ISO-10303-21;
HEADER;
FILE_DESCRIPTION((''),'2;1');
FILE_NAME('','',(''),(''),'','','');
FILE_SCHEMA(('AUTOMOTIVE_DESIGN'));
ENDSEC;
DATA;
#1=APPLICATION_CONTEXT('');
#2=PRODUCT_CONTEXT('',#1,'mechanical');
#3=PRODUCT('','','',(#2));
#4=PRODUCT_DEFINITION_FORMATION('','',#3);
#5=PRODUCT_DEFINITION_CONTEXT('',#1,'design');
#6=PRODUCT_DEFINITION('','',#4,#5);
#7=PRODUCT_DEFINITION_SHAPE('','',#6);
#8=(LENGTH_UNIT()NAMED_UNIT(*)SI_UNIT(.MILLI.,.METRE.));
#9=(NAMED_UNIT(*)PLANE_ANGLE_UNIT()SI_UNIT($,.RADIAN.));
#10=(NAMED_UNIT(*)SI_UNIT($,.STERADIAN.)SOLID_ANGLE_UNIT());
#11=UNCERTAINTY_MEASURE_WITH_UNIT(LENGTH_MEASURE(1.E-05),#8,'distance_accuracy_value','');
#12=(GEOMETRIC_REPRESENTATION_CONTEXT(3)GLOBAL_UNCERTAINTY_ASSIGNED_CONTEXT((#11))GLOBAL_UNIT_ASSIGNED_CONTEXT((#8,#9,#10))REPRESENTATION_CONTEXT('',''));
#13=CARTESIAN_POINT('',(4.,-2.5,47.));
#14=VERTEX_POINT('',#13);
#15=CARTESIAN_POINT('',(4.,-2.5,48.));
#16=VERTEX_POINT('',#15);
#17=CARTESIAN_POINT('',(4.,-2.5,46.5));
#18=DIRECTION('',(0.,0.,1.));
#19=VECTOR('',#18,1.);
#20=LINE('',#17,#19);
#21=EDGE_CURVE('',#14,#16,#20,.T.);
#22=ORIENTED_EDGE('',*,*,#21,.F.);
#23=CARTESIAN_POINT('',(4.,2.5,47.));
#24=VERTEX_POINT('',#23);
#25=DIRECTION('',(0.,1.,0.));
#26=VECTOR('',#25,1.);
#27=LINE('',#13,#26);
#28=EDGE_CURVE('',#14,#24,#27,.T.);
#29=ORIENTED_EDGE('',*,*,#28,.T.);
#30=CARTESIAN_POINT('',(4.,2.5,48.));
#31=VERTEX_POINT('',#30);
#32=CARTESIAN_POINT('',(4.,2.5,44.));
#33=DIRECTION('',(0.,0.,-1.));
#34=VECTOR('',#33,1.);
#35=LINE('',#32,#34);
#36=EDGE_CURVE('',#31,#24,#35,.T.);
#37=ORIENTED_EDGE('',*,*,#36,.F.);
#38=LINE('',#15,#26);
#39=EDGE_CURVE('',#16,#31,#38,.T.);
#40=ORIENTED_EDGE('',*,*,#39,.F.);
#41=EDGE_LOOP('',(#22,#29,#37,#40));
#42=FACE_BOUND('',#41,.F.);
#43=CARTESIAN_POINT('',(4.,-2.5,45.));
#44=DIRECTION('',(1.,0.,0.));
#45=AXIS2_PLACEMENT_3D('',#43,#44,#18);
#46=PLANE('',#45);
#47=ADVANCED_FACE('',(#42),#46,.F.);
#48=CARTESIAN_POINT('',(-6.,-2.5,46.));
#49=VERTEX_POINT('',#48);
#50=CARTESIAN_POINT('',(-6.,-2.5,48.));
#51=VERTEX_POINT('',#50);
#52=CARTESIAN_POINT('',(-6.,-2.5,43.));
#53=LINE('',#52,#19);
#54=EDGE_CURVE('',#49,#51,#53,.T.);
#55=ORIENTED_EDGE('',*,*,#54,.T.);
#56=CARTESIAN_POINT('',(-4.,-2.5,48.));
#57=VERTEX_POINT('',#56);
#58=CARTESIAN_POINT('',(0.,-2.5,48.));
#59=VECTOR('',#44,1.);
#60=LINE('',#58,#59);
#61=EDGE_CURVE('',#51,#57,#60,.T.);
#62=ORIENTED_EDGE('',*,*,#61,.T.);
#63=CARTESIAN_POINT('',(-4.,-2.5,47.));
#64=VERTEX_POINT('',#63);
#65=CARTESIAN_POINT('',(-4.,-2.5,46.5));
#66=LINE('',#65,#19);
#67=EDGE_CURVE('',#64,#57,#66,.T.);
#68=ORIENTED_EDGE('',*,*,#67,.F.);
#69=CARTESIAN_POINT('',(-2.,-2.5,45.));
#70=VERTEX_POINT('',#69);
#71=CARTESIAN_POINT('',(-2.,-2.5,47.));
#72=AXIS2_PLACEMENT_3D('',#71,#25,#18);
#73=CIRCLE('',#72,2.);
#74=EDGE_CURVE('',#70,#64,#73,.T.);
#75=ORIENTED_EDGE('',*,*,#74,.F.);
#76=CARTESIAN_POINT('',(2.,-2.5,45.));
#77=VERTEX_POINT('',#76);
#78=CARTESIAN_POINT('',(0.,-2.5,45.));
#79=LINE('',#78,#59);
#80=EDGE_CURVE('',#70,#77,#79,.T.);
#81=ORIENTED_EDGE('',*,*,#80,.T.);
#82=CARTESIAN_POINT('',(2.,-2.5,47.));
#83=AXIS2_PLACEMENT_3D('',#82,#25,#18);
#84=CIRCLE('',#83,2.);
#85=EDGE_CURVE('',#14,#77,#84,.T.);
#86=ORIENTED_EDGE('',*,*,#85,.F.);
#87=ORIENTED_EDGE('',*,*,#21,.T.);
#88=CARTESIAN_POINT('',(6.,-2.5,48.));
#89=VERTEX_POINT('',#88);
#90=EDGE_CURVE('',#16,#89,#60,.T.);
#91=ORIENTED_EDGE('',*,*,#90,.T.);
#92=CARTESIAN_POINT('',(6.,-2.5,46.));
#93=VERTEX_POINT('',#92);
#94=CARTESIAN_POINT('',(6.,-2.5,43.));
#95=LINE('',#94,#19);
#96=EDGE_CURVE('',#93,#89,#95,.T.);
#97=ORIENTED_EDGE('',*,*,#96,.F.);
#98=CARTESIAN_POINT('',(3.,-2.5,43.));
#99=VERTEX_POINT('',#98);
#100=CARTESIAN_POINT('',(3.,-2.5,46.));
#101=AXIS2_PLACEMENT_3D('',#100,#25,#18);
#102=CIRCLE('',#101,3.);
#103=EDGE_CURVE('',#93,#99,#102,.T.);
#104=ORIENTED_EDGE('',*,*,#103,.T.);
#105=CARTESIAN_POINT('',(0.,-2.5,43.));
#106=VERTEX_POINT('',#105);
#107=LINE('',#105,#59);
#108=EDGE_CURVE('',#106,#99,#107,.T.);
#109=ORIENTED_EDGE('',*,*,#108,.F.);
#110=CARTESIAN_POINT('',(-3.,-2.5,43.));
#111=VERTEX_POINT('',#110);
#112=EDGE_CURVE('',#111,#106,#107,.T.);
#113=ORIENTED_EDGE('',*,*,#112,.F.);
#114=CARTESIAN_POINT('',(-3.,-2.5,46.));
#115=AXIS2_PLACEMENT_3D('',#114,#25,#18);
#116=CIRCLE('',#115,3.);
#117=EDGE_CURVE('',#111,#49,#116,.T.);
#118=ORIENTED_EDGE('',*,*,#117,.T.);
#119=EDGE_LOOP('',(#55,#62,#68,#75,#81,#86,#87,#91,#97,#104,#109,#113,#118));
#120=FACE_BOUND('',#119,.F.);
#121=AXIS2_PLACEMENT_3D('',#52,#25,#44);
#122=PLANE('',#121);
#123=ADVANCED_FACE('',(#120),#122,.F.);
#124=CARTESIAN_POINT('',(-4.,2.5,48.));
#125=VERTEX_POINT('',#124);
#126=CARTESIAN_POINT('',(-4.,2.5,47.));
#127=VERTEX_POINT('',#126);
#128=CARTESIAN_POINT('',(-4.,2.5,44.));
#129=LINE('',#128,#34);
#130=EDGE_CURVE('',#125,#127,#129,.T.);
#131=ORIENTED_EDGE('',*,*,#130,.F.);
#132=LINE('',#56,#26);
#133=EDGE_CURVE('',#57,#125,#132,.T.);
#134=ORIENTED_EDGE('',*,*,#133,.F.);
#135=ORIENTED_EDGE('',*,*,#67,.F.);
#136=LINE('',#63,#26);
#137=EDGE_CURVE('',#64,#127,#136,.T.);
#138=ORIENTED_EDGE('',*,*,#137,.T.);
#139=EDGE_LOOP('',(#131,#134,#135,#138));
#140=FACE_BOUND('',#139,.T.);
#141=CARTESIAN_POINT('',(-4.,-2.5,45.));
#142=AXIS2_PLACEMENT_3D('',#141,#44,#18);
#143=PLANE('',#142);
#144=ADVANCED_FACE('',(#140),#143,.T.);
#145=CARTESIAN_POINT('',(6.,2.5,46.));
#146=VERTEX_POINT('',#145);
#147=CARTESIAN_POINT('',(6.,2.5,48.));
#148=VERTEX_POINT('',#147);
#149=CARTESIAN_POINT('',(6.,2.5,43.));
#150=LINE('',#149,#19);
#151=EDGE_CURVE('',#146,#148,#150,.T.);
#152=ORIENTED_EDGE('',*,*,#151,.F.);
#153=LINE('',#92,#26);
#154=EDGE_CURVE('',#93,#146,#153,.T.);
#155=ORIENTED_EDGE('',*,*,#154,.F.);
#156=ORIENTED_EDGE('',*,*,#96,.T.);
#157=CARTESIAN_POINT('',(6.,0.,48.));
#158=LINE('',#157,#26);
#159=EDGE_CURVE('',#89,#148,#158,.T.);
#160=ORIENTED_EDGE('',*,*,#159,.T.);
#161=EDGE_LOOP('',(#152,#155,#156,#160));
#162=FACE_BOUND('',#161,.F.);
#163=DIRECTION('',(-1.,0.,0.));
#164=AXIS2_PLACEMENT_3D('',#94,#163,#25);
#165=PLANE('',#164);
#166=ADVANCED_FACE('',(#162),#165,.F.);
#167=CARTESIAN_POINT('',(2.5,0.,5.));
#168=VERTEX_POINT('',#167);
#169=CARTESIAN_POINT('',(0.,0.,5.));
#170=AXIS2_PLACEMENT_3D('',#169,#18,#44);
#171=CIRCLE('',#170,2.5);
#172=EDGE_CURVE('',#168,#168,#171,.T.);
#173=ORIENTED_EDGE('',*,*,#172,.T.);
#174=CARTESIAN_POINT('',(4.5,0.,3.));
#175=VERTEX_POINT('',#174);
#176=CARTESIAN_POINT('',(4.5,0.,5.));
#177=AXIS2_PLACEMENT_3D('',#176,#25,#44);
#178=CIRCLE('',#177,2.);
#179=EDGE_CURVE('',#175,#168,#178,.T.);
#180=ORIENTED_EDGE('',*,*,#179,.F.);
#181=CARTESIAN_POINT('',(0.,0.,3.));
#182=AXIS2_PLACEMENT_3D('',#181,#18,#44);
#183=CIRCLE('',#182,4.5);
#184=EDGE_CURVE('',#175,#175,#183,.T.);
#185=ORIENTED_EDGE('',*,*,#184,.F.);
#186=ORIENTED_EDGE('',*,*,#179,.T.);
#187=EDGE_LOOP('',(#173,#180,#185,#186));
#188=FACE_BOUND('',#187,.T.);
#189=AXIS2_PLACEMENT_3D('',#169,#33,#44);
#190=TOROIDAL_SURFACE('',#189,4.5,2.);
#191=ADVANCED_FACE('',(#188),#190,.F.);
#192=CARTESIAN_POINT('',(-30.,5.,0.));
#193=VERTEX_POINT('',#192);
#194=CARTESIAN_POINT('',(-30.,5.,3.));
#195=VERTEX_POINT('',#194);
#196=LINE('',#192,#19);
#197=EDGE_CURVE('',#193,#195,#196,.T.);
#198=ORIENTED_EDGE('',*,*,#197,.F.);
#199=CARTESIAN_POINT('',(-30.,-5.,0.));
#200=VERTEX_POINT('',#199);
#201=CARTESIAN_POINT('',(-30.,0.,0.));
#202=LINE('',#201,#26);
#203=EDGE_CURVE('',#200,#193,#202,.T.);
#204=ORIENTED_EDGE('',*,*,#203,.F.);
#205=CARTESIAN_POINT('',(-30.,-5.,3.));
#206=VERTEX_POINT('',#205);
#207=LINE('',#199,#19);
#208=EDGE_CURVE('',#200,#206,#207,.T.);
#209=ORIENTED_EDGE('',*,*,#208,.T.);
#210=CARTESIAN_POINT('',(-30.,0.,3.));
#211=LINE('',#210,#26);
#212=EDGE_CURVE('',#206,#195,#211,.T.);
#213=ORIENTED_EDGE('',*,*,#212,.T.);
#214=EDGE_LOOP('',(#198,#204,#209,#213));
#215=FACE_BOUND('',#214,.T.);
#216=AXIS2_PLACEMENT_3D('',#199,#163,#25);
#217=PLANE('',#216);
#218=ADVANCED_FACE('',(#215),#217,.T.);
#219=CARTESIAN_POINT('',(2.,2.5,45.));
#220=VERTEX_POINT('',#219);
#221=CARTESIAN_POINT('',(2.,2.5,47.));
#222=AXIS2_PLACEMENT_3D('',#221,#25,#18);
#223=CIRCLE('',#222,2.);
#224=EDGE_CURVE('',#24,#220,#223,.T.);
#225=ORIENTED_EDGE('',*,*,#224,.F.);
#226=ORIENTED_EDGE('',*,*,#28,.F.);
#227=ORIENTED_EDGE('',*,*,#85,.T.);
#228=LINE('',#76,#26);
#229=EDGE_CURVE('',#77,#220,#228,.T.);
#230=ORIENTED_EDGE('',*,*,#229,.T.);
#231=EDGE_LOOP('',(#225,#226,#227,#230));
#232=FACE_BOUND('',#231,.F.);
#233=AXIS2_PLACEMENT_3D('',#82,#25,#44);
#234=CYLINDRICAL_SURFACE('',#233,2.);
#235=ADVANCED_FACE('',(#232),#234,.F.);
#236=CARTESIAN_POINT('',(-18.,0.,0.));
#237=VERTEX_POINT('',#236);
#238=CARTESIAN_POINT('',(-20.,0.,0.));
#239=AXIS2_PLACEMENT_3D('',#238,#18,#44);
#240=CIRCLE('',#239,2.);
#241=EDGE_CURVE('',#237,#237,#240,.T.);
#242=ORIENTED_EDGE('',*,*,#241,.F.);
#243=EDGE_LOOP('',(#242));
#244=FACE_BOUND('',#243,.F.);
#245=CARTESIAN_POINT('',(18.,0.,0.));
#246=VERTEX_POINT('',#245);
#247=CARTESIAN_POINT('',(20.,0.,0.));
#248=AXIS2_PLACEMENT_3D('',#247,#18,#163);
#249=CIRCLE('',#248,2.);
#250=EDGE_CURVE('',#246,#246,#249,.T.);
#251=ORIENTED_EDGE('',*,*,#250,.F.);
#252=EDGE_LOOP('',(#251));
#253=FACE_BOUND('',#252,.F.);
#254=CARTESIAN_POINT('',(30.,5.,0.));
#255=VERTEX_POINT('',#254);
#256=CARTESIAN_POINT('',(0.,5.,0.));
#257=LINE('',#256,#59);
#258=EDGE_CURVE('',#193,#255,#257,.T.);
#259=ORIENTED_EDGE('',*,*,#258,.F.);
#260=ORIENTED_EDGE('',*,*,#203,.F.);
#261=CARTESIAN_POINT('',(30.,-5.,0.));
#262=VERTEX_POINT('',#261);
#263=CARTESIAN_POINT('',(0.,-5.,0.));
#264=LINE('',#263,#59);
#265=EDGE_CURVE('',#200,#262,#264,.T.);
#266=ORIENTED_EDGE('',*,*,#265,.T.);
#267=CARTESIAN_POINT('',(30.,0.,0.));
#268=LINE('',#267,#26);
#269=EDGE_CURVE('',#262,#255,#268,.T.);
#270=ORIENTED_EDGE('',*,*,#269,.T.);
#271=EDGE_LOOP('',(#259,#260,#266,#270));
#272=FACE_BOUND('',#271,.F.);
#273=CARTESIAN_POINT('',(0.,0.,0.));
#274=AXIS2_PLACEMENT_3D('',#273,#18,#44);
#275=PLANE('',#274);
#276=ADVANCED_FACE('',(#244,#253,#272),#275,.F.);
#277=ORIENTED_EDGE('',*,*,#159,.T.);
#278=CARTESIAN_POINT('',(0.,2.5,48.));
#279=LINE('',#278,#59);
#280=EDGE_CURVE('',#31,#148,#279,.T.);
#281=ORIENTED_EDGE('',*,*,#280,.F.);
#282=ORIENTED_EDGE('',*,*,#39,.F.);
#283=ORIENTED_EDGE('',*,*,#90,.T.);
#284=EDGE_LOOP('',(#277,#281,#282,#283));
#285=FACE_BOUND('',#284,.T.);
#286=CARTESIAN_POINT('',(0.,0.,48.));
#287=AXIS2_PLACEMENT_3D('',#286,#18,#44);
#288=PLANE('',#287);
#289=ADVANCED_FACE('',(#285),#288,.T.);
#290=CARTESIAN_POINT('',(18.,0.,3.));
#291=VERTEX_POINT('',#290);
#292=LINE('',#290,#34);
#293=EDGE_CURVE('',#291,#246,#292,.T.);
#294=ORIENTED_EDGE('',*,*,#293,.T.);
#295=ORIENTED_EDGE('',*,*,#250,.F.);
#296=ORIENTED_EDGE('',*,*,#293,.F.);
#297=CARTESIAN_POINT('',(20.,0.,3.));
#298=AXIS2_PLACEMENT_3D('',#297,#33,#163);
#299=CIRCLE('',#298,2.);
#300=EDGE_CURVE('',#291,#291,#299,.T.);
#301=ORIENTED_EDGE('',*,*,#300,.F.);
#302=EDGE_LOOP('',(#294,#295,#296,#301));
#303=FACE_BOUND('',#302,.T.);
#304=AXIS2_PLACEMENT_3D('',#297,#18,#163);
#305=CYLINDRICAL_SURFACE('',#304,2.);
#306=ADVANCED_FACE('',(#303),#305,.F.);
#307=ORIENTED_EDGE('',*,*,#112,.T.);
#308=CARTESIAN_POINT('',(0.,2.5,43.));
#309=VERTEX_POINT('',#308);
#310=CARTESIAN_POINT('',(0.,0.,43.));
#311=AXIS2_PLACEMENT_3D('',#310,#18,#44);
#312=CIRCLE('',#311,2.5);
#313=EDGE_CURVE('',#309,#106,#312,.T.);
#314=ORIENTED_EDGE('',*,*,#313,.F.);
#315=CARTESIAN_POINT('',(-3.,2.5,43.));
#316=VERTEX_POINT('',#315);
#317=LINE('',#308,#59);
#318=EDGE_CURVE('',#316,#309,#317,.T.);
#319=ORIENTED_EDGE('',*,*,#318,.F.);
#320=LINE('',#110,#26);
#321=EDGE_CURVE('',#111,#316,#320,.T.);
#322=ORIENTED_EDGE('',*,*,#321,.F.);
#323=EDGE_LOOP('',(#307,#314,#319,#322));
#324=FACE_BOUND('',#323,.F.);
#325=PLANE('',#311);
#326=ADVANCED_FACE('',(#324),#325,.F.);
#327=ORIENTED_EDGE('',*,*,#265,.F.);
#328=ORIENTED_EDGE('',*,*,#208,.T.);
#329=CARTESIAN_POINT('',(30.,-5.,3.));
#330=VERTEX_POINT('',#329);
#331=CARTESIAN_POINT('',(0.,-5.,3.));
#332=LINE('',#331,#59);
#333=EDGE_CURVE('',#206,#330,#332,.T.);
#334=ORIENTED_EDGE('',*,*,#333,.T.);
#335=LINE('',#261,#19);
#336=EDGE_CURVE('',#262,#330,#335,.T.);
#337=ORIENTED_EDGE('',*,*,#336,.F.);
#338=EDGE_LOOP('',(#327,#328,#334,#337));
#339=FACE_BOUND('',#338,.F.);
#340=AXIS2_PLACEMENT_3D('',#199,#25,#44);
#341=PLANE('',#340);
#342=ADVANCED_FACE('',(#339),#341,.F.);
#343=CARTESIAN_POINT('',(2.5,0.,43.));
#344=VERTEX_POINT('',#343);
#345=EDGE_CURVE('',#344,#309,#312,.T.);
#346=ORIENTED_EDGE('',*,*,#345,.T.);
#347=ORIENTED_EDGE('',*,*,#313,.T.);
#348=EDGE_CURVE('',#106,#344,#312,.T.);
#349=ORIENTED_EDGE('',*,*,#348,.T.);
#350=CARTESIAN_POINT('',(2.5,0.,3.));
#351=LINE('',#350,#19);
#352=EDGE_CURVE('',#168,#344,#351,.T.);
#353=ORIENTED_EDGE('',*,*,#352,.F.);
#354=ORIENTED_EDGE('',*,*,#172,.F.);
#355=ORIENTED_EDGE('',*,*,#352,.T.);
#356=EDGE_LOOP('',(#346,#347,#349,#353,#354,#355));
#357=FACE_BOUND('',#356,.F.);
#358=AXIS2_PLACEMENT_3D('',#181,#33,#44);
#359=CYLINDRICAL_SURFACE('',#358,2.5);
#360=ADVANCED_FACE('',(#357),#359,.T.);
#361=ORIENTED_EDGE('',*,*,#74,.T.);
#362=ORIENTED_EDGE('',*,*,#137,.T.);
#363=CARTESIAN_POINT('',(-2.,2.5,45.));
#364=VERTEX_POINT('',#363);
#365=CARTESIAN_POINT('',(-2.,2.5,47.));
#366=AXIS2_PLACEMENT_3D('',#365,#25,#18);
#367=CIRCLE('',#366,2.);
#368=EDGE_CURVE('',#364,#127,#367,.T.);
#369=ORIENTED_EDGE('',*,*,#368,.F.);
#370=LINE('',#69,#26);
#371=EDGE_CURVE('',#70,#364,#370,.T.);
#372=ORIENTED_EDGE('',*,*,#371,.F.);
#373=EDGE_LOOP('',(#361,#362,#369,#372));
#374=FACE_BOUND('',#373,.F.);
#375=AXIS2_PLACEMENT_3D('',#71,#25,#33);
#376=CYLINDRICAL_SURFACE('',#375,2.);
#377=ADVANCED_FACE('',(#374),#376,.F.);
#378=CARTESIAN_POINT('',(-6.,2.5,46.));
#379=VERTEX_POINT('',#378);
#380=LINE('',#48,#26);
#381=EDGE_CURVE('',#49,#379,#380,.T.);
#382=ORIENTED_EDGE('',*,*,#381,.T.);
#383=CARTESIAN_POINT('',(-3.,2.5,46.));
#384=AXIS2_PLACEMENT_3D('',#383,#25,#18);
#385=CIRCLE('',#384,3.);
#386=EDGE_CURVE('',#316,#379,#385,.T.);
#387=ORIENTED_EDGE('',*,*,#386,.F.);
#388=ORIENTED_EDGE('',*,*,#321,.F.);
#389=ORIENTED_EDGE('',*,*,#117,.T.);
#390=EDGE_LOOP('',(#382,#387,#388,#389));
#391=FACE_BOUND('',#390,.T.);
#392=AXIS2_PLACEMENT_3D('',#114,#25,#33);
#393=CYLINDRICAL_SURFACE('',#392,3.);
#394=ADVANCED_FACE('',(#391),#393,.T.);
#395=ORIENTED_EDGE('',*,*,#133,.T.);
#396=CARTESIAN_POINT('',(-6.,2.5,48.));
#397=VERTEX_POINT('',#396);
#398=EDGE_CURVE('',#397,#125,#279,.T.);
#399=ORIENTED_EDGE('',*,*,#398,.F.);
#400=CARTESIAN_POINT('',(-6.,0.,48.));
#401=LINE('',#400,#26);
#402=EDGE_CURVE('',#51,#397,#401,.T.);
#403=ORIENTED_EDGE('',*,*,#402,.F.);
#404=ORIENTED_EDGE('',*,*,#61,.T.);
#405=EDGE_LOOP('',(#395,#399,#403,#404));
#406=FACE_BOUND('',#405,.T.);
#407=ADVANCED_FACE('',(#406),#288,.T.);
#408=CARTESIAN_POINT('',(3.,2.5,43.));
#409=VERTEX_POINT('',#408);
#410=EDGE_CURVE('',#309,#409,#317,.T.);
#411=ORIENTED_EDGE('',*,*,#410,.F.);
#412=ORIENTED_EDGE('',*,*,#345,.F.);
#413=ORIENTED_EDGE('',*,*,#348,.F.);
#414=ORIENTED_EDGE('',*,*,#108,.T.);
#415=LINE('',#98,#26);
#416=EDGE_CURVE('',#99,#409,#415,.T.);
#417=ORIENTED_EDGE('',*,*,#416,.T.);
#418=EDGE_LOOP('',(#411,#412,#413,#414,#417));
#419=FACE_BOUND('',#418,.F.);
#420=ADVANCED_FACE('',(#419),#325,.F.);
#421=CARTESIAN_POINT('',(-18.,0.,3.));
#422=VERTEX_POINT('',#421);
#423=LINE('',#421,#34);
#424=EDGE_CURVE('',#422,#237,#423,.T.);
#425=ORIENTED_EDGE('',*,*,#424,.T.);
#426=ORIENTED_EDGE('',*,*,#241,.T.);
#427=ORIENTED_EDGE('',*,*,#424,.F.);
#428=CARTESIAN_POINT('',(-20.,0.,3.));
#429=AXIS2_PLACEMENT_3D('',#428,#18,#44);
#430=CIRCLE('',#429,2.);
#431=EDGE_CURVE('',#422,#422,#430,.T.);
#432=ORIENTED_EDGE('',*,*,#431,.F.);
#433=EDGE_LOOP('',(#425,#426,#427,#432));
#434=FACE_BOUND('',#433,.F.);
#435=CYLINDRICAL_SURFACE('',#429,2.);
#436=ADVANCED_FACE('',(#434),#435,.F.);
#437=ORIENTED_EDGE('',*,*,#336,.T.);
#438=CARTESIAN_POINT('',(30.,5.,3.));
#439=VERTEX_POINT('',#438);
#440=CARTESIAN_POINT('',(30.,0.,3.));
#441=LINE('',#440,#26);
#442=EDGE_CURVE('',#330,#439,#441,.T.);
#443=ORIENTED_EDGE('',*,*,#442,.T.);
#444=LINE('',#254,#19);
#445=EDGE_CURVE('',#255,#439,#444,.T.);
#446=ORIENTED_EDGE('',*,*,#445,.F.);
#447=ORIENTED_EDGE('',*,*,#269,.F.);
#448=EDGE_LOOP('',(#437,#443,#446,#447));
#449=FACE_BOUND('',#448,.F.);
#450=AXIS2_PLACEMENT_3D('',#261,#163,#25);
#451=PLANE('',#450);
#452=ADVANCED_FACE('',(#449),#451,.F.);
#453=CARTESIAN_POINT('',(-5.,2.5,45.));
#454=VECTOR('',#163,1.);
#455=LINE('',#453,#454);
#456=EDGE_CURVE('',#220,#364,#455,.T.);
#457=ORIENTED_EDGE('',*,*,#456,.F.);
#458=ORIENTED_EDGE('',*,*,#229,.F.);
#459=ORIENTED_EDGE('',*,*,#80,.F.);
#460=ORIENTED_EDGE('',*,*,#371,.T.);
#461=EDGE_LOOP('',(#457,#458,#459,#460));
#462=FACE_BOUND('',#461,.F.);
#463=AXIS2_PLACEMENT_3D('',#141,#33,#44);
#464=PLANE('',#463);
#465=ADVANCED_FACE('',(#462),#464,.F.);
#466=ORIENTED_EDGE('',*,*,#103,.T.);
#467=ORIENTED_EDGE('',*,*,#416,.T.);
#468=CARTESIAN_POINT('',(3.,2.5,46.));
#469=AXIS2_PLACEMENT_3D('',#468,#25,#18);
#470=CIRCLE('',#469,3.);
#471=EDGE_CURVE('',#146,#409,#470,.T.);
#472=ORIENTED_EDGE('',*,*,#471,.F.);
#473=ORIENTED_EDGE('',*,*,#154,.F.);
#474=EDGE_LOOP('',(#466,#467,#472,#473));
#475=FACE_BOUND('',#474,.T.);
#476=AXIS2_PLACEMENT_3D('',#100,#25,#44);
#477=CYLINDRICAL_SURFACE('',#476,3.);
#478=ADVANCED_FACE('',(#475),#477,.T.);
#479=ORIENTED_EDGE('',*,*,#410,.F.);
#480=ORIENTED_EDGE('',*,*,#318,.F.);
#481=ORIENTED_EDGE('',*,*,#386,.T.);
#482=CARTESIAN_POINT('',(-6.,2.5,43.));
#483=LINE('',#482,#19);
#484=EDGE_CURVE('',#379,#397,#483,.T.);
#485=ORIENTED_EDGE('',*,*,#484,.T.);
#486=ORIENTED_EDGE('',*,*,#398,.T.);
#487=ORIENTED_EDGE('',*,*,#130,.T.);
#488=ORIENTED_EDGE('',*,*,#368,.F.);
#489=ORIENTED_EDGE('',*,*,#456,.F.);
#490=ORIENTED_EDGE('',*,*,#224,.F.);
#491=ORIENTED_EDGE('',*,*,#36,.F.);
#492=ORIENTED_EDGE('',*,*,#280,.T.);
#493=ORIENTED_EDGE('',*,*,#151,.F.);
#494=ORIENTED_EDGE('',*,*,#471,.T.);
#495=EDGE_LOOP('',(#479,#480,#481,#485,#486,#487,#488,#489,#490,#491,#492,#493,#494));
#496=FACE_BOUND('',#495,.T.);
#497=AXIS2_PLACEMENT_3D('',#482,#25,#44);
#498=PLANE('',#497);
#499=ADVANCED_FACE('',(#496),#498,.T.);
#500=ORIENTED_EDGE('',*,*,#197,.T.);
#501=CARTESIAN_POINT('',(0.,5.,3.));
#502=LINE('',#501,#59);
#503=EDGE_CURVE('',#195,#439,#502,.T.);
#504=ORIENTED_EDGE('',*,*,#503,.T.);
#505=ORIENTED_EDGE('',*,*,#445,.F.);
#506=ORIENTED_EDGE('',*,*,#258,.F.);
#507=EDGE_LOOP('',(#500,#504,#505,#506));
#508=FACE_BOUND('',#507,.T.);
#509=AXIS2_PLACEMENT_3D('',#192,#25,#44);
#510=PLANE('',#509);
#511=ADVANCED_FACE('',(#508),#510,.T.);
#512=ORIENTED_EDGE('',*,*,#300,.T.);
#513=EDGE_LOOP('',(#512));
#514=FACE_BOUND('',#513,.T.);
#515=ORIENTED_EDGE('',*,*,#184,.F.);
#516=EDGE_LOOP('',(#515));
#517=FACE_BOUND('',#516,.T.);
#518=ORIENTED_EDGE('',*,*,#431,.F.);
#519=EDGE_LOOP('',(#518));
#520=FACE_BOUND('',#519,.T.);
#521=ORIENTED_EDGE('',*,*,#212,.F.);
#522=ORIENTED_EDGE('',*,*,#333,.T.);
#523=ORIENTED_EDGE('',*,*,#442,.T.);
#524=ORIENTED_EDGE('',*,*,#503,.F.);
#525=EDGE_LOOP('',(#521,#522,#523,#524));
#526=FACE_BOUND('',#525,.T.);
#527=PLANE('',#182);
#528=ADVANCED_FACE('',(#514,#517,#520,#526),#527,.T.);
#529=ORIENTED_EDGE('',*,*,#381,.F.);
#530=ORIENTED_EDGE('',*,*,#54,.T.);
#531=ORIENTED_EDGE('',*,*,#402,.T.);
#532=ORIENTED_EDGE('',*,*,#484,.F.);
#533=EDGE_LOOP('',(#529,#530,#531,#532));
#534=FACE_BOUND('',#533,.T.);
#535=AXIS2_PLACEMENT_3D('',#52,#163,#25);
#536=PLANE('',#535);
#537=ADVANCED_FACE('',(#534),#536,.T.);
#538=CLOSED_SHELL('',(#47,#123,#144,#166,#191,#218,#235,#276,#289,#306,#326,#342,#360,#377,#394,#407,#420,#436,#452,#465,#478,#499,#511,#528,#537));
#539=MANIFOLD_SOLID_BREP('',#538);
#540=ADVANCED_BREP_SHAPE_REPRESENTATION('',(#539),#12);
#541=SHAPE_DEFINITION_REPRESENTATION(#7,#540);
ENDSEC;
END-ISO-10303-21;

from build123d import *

# Parameters (mm, degrees)
SKETCH_W        = 60
SKETCH_H        = 10
PAD_DEPTH       = 3
SKETCH001_R     = 2
POCKET_DEPTH    = 124.80412
SKETCH002_R     = 2.5
PAD001_DEPTH    = 40
FILLET_R        = 2
SKETCH003_W     = 12
SKETCH003_H     = 5
PAD002_DEPTH    = 5
SKETCH004_W     = 8
SKETCH004_H     = 3
POCKET001_DEPTH = 7.501
FILLET001_R     = 2
FILLET002_R     = 3


with BuildPart() as part:
    # Sketch → Pad (new body)
    with BuildSketch(Plane.XY):
        Rectangle(SKETCH_W, SKETCH_H)
    extrude(amount=PAD_DEPTH)

    # Sketch001 (on Face6 of Pad) → Pocket (cut, through all)
    with BuildSketch(Plane.XY.offset(3)):
        with Locations((-20, 0)):
            Circle(SKETCH001_R)
    pocket = extrude(amount=-POCKET_DEPTH, mode=Mode.SUBTRACT)

    # Mirrored: Pocket across Sketch001 V_Axis
    add(pocket.mirror(Plane(origin=(0, 0, 3), x_dir=(0, 0, 1), z_dir=(1, 0, 0))), mode=Mode.SUBTRACT)

    # Sketch002 (on Face5 of Mirrored) → Pad001 (join)
    with BuildSketch(Plane.XY.offset(3)):
        Circle(SKETCH002_R)
    extrude(amount=PAD001_DEPTH)

    # Fillet
    fillet_edges = [part.edges().sort_by_distance(p)[0] for p in [
        (-2.5, 0, 3),
    ]]
    fillet(fillet_edges, radius=FILLET_R)

    # Sketch003 (on Face11 of Fillet) → Pad002 (join)
    with BuildSketch(Plane.XY.offset(43)):
        Rectangle(SKETCH003_W, SKETCH003_H)
    extrude(amount=PAD002_DEPTH)

    # Sketch004 (on Face13 of Pad002) → Pocket001 (cut, through all)
    with BuildSketch(Plane.XZ.offset(2.5)):
        with Locations((0, 46.5)):
            Rectangle(SKETCH004_W, SKETCH004_H)
    extrude(amount=-POCKET001_DEPTH, mode=Mode.SUBTRACT)

    # Fillet001
    fillet001_edges = [part.edges().sort_by_distance(p)[0] for p in [
        (4, 0, 45),
        (-4, 0, 45),
    ]]
    fillet(fillet001_edges, radius=FILLET001_R)

    # Fillet002
    fillet002_edges = [part.edges().sort_by_distance(p)[0] for p in [
        (-6, 0, 43),
        (6, 0, 43),
    ]]
    fillet(fillet002_edges, radius=FILLET002_R)


solid = part.part
